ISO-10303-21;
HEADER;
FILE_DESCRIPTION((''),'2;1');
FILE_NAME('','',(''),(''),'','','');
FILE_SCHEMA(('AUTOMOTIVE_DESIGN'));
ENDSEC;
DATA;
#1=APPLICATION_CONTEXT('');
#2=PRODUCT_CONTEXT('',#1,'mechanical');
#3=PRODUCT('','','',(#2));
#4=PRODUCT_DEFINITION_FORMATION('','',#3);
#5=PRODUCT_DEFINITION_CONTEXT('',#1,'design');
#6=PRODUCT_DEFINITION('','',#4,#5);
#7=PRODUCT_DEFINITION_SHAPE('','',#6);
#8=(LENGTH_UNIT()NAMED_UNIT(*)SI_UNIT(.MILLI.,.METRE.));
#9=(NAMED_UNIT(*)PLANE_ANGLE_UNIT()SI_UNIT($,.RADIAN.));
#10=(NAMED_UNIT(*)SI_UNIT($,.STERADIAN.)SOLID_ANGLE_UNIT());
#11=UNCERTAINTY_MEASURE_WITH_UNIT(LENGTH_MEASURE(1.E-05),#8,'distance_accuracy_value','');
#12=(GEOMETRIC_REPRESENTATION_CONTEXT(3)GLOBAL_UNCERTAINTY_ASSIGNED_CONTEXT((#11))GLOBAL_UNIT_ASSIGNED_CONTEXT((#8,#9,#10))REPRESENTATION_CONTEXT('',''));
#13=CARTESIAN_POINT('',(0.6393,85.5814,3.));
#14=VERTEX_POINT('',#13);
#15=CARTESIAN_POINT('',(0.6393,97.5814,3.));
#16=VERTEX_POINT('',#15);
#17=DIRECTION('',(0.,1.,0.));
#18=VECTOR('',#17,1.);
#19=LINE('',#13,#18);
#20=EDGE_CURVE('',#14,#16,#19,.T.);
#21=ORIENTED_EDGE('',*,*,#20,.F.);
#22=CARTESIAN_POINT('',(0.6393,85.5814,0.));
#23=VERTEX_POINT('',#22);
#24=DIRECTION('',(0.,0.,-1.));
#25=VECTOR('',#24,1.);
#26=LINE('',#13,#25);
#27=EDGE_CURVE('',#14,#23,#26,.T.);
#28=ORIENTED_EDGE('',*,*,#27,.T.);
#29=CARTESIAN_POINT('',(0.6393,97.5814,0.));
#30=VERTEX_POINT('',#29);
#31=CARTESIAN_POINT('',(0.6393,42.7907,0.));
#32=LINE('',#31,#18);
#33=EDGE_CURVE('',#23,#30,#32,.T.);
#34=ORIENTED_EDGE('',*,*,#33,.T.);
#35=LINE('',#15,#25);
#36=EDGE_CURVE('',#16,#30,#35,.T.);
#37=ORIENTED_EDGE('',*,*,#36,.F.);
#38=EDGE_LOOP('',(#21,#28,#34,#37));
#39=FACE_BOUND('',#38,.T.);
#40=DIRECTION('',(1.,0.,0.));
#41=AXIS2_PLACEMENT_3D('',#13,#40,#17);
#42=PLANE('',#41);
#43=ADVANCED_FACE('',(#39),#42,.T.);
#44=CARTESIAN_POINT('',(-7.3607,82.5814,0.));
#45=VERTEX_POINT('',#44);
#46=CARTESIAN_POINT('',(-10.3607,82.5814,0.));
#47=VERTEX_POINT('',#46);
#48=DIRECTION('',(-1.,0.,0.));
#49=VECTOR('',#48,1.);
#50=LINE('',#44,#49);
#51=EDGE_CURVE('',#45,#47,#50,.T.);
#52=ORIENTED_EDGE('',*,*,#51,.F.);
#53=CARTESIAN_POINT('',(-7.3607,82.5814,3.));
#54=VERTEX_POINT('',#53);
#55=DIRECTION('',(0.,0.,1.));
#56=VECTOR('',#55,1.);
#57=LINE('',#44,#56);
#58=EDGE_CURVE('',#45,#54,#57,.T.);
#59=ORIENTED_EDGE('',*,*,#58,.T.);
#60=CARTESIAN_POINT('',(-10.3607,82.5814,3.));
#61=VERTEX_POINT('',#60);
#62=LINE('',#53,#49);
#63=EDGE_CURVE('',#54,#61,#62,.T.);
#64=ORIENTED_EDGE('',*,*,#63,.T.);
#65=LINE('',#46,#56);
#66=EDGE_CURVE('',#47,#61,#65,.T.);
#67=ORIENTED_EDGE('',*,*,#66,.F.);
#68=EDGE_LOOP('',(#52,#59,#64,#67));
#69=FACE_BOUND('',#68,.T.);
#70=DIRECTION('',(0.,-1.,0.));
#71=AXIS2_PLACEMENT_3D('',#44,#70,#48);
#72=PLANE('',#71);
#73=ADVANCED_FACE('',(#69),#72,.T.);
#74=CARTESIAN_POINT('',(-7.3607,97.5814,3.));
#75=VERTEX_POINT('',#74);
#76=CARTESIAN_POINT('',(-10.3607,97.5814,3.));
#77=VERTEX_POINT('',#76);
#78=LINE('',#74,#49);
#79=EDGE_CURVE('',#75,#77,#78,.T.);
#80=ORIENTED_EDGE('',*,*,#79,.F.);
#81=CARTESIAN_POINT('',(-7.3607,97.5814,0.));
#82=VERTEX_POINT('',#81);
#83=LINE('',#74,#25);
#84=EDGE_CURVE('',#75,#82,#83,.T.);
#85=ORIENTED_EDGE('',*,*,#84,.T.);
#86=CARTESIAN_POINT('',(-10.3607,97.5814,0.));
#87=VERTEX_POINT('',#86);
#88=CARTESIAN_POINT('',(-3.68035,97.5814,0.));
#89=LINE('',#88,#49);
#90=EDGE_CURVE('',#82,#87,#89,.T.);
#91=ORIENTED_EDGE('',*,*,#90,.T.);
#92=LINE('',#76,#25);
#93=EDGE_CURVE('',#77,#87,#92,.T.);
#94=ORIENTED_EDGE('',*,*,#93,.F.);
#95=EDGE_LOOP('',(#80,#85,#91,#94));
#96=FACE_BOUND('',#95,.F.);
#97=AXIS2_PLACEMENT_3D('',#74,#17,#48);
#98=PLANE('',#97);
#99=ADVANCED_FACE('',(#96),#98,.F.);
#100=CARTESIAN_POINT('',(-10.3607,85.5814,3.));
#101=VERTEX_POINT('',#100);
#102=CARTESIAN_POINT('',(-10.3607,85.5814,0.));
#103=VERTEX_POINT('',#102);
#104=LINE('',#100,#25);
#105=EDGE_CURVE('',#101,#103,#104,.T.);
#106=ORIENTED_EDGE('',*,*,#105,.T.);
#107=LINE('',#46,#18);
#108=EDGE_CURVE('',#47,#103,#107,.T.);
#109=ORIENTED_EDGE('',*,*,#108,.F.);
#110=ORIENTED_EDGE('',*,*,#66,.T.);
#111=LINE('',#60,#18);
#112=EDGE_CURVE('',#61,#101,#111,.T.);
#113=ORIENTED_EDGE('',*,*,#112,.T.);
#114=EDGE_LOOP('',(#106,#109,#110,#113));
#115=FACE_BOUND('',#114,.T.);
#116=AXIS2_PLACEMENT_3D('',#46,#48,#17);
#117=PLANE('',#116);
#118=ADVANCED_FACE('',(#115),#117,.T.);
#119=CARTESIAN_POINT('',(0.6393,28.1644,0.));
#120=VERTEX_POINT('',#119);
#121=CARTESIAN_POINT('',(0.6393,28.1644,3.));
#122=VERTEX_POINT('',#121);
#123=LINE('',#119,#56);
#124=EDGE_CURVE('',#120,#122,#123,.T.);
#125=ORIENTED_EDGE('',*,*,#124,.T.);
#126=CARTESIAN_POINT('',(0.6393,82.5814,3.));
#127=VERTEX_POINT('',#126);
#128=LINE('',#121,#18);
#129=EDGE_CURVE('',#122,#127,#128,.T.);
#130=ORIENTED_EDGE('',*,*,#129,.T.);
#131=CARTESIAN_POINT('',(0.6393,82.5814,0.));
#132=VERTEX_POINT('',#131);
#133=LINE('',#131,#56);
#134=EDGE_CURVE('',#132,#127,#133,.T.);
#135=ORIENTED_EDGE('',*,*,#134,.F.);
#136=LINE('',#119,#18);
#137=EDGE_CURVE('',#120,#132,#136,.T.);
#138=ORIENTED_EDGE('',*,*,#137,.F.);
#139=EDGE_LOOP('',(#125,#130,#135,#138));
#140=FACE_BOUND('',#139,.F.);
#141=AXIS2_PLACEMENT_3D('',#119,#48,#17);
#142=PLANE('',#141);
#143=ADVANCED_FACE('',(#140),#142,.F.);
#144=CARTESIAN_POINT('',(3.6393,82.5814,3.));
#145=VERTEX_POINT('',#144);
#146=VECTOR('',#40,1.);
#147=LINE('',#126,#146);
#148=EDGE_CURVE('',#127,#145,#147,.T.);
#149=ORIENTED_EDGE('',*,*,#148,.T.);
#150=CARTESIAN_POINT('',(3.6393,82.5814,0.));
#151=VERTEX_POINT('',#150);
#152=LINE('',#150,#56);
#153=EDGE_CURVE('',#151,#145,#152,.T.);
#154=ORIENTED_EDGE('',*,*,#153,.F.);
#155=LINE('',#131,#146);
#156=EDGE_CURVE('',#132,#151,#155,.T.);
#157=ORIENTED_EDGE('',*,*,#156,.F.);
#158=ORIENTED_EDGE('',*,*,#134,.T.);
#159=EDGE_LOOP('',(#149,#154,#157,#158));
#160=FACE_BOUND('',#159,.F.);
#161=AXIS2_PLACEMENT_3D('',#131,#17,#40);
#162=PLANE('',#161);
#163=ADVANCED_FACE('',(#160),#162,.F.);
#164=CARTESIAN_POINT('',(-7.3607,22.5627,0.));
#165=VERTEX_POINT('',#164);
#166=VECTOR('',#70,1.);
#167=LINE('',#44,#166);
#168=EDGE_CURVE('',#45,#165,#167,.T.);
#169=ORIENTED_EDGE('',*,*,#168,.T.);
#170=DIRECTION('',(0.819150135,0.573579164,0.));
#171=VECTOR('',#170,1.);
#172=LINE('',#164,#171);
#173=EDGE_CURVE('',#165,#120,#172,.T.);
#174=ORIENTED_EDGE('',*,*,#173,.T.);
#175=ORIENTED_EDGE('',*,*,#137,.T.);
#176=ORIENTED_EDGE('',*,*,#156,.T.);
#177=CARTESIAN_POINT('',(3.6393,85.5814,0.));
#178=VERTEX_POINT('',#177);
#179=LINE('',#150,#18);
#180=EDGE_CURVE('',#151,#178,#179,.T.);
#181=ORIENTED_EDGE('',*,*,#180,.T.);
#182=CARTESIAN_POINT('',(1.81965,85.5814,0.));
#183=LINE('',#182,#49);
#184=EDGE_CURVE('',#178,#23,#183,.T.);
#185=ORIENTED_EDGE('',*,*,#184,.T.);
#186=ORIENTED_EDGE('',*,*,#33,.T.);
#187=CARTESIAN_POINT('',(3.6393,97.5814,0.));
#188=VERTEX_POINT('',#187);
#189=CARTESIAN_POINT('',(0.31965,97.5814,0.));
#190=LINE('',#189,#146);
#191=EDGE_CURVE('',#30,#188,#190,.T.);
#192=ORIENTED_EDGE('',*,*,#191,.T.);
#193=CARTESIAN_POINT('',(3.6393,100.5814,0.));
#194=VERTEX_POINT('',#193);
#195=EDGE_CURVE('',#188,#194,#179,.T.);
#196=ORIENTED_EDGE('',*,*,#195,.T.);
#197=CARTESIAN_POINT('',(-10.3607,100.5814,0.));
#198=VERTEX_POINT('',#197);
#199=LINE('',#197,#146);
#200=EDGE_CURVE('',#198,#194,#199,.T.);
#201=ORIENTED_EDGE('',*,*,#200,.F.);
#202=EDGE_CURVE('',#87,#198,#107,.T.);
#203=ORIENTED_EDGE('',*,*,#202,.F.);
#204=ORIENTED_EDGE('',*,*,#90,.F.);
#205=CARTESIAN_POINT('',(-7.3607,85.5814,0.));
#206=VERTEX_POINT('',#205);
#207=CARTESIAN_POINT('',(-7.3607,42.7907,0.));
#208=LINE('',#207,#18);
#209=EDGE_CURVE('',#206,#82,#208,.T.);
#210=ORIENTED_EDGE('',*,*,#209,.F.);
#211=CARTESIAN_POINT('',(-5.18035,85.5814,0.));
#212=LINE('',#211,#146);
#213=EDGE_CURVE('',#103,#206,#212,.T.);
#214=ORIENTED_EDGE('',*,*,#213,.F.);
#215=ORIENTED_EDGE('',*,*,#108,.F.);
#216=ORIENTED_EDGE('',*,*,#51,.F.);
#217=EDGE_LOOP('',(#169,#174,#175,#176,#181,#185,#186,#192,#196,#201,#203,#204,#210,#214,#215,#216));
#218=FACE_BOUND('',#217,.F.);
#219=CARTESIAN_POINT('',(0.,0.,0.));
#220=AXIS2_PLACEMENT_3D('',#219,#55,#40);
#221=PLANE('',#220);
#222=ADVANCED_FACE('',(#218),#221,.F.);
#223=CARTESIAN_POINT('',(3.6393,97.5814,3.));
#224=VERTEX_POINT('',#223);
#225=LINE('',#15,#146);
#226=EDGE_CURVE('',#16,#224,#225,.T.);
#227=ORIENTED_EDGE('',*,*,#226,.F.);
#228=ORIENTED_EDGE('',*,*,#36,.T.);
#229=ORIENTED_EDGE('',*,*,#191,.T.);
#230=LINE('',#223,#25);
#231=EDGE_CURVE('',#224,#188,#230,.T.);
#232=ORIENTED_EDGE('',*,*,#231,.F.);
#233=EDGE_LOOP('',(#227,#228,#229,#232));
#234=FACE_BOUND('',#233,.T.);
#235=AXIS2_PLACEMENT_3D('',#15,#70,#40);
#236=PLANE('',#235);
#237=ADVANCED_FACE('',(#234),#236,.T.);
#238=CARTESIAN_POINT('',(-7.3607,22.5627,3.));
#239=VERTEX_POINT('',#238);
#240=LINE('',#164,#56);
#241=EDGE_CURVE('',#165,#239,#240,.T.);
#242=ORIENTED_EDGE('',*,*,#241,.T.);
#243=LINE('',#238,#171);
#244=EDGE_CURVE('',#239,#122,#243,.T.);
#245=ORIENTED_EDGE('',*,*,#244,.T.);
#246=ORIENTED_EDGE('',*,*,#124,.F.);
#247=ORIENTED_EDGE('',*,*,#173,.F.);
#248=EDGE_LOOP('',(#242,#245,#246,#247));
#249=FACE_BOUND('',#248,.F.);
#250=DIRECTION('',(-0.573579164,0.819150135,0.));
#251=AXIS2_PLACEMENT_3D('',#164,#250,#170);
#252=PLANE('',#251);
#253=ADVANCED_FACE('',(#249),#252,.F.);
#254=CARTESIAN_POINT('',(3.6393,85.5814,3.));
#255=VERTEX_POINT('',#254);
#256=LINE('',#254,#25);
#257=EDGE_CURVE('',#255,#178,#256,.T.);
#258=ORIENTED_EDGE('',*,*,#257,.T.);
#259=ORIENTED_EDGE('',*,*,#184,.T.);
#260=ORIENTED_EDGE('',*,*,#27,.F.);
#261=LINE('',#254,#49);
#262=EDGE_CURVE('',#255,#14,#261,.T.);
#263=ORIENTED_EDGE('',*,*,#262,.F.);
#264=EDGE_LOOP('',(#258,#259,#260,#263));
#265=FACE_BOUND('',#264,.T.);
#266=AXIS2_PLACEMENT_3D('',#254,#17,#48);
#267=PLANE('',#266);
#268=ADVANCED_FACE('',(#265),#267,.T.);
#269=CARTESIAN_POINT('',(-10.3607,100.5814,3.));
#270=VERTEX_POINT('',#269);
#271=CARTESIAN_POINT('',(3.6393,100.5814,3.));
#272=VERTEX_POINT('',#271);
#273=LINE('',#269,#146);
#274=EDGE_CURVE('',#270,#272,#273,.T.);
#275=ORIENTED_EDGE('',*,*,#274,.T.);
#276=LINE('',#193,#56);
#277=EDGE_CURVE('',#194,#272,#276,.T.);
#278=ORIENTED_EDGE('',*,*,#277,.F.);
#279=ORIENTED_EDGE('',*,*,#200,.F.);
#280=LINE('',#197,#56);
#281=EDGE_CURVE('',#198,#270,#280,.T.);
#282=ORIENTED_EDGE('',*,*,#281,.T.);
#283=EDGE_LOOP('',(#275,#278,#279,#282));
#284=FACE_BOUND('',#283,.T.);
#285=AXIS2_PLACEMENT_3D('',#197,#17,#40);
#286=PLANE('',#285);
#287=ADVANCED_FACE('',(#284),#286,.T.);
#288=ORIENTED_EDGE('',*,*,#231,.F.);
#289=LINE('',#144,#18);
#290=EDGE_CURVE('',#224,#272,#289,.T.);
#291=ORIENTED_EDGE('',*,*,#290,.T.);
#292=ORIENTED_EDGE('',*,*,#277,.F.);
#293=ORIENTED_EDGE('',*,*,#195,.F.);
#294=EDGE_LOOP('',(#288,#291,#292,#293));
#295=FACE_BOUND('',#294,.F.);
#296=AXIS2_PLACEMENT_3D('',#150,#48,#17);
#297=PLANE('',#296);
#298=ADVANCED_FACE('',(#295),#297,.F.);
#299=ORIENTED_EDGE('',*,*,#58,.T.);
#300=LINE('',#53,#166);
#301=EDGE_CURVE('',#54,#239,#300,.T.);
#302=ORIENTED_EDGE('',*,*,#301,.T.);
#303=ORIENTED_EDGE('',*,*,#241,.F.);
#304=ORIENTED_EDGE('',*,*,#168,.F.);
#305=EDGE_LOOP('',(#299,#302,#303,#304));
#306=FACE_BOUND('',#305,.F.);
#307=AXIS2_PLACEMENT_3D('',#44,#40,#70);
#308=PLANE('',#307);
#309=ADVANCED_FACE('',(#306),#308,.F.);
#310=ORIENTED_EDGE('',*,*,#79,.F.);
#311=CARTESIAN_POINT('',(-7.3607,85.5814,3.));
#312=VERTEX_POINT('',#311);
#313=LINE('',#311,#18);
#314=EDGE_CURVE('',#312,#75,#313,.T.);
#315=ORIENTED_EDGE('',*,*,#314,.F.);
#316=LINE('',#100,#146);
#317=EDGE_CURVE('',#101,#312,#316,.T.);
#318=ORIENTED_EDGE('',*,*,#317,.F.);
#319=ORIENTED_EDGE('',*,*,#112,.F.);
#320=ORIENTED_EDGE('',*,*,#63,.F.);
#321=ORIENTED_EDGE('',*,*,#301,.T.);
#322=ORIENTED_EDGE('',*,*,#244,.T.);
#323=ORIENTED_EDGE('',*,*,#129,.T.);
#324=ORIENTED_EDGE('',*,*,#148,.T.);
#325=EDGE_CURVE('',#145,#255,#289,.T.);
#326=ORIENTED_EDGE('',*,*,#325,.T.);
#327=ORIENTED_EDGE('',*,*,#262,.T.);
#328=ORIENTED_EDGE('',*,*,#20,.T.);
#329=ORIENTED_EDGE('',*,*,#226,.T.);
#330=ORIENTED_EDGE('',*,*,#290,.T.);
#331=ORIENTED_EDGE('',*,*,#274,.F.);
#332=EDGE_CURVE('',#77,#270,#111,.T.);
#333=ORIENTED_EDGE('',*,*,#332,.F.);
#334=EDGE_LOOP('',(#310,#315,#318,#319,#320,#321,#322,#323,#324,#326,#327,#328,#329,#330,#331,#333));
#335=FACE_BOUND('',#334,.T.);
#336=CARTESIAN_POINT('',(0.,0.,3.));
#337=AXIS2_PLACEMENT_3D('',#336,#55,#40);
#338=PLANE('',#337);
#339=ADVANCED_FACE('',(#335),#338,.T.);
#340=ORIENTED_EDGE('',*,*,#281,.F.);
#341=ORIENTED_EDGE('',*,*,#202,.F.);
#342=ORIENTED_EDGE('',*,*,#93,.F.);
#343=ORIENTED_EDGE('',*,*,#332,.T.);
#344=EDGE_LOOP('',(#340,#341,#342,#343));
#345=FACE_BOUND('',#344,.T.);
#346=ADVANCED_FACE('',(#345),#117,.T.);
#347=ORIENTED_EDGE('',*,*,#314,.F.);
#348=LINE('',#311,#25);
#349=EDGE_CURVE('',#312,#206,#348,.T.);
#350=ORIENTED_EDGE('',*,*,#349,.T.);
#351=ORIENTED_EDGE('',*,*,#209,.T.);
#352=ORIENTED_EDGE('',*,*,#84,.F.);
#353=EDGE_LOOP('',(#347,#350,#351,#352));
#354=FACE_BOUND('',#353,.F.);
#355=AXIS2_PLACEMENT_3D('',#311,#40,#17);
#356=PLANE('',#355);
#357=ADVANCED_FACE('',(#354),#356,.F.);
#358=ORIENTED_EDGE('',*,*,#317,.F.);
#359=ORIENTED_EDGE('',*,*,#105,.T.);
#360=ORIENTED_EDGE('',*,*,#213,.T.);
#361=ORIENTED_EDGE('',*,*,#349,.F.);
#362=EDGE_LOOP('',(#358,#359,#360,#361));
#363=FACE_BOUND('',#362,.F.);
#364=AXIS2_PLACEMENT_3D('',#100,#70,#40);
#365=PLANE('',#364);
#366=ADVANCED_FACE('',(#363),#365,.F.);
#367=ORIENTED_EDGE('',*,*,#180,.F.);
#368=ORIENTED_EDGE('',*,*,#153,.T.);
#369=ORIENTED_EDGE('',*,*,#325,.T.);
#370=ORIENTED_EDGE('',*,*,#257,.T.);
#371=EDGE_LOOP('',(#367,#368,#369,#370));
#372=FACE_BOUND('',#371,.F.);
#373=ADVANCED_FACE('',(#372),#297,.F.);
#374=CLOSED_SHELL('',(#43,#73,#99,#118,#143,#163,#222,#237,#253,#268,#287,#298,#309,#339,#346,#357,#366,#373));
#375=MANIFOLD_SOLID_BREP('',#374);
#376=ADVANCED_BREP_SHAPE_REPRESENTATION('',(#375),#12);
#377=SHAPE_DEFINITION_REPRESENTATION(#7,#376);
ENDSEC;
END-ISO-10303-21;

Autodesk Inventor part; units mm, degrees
ref_plane "YZ Plane" through (0, 0, 0) normal (1, 0, 0) x (0, 1, 0)
ref_plane "XZ Plane" through (0, 0, 0) normal (0, 1, 0) x (-1, 0, 0)
ref_plane "XY Plane" through (0, 0, 0) normal (0, 0, 1) x (1, 0, 0)
sketch "Sketch2" plane through (0, 0, 0) normal (0, 0, 1) x (1, 0, 0)
  line L0 (-7.3607, 82.5814) -> (-7.3607, 22.5627)
  line L1 (-7.3607, 22.5627) -> (0.6393, 28.1644)
  line L2 (0.6393, 28.1644) -> (0.6393, 82.5814)
  line L3 (-7.3607, 82.5814) -> (-10.3607, 82.5814)
  line L4 (-10.3607, 82.5814) -> (-10.3607, 100.5814)
  line L5 (0.6393, 82.5814) -> (3.6393, 82.5814)
  line L6 (3.6393, 82.5814) -> (3.6393, 100.5814)
  line L7 (-10.3607, 100.5814) -> (3.6393, 100.5814)
  line L8 (-10.3607, 85.5814) -> (3.6393, 85.5814) construction
  point P0 (0, 0)
  dimension "d3" = 125
  dimension "d9" = 8
  dimension "d10" = 18
  dimension "d11" = 3
  dimension "d12" = 57.417
  dimension "d13" = 3
  dimension "d14" = 18
extrude "Extrusion1" add sketch "Sketch2" along normal blind 3
sketch "Sketch3" plane through (0, 0, 3) normal (0, 0, 1) x (1, 0, 0)
  line L0 (-10.3607, 100.5814) -> (-10.3607, 82.5814) projected
  line L1 (3.6393, 82.5814) -> (3.6393, 100.5814) projected
  line L2 (-10.3607, 85.5814) -> (-7.3607, 85.5814)
  line L3 (-7.3607, 85.5814) -> (-7.3607, 97.5814)
  line L4 (-7.3607, 97.5814) -> (-10.3607, 97.5814)
  line L5 (-10.3607, 97.5814) -> (-10.3607, 85.5814)
  line L6 (3.6393, 85.5814) -> (0.6393, 85.5814)
  line L7 (0.6393, 85.5814) -> (0.6393, 97.5814)
  line L8 (0.6393, 97.5814) -> (3.6393, 97.5814)
  line L9 (3.6393, 97.5814) -> (3.6393, 85.5814)
  point P0 (0, 0)
  dimension "d15" = 3
  dimension "d16" = 12
  dimension "d17" = 3
extrude "Extrusion2" cut sketch "Sketch3" against normal through all
equation "\"d14\" = d10"
properties part number "k2_t_leg"
